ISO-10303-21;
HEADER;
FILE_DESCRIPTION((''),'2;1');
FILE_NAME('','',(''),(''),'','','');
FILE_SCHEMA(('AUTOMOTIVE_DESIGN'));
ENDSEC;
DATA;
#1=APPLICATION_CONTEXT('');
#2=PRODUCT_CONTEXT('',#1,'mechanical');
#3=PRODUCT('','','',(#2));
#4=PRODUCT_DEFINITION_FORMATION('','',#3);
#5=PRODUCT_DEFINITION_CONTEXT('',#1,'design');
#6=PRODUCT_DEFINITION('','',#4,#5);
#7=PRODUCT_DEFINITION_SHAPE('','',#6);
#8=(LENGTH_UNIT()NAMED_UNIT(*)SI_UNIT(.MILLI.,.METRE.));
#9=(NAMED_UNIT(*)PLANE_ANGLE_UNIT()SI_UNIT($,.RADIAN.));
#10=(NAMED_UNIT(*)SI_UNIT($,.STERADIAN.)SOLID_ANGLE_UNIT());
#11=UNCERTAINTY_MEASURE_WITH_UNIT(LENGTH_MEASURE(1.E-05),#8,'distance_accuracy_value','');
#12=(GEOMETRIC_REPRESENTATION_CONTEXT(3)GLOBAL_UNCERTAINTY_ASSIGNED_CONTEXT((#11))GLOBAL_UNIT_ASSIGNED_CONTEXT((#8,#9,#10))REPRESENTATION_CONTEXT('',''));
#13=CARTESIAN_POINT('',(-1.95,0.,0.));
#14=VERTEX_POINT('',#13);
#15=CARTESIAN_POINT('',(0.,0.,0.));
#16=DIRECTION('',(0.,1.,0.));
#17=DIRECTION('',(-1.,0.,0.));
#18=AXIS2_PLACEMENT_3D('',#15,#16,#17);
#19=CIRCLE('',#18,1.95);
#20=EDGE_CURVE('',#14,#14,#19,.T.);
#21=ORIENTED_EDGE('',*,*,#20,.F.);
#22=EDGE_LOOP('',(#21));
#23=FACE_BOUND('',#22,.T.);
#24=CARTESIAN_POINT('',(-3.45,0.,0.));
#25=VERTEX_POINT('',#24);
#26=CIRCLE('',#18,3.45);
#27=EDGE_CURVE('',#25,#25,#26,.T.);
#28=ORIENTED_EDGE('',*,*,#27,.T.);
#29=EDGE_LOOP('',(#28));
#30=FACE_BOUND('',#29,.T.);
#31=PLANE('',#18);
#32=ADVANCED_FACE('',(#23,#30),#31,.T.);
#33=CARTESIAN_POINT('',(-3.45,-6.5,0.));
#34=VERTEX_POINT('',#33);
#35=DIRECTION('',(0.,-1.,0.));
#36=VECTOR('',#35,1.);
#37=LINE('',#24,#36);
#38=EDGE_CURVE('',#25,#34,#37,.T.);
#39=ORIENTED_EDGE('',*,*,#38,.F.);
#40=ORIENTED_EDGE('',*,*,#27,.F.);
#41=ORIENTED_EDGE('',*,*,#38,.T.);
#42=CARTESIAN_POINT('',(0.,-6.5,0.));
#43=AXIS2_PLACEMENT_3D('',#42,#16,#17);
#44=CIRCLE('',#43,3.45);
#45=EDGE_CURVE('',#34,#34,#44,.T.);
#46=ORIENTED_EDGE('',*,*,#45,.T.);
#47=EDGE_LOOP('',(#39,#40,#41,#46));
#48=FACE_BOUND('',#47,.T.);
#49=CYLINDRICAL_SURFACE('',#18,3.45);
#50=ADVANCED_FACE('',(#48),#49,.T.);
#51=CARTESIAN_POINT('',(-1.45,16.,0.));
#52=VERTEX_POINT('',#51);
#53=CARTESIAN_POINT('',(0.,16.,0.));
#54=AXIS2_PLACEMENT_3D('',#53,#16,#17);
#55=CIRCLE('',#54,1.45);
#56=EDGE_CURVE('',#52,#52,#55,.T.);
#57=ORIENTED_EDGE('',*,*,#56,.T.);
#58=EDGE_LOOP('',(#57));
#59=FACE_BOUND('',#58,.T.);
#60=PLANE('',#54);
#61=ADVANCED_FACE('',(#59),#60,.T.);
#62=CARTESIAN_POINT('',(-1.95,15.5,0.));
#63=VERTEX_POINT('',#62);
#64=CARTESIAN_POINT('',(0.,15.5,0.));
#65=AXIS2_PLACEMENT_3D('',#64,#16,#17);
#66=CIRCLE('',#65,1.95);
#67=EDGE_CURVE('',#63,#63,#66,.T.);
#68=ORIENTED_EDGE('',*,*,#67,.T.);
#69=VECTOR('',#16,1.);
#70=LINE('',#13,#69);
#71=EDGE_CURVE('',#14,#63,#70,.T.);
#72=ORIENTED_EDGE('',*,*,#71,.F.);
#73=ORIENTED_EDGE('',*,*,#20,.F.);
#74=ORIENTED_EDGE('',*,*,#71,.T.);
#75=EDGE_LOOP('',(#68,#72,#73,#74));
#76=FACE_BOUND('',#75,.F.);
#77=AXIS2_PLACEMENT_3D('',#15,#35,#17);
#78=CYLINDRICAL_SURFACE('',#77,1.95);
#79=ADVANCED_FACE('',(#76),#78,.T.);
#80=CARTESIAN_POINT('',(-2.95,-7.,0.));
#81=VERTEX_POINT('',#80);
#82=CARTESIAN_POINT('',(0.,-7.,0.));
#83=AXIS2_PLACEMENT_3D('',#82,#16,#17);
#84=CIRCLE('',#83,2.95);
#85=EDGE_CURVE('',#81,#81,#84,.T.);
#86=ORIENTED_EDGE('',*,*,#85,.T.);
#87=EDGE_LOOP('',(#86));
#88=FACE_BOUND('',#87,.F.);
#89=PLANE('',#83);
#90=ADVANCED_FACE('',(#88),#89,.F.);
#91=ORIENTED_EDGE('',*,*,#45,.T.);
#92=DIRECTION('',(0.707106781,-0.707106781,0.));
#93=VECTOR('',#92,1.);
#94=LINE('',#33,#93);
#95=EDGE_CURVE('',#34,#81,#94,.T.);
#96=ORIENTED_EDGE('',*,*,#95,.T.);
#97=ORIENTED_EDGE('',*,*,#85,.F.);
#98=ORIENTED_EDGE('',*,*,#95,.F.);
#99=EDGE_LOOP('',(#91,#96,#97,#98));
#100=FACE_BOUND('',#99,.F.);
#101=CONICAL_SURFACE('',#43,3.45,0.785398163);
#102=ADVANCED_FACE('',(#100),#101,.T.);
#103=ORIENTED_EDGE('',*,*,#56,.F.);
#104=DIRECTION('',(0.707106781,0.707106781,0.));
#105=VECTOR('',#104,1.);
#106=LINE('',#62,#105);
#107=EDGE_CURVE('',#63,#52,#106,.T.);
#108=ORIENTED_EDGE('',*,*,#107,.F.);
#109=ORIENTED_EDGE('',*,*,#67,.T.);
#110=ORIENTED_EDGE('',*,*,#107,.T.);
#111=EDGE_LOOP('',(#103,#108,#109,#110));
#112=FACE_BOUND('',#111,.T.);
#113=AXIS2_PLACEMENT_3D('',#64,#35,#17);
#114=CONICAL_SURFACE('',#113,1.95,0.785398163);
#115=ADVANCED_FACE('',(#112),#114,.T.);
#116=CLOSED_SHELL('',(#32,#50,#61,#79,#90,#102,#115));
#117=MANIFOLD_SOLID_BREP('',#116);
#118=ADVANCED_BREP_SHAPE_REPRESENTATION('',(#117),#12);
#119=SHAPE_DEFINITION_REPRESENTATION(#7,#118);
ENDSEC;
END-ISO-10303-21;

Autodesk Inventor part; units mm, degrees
ref_plane "YZ Plane" through (0, 0, 0) normal (1, 0, 0) x (0, 1, 0)
ref_plane "XZ Plane" through (0, 0, 0) normal (0, 1, 0) x (-1, 0, 0)
ref_plane "XY Plane" through (0, 0, 0) normal (0, 0, 1) x (1, 0, 0)
sketch "Sketch1" plane through (0, 0, 0) normal (0, 1, 0) x (-1, 0, 0)
  circle A0 centre (0, 0) radius 1.95
  dimension "d0" = 3.9
extrude "Extrusion1" add sketch "Sketch1" along normal blind 16 and the other way blind 7
sketch "Sketch2" plane through (0, 0, 0) normal (0, 1, 0) x (-1, 0, 0)
  circle A0 centre (0, 0) radius 1.95 projected
  circle A1 centre (0, 0) radius 3.45
  dimension "d5" = 1.5
extrude "Extrusion2" add sketch "Sketch2" against normal blind 7
chamfer "Chamfer1" distance 0.5 angle 45 2 edges at (1.95, 16, 0) (3.45, -7, 0)
properties part number "button"
